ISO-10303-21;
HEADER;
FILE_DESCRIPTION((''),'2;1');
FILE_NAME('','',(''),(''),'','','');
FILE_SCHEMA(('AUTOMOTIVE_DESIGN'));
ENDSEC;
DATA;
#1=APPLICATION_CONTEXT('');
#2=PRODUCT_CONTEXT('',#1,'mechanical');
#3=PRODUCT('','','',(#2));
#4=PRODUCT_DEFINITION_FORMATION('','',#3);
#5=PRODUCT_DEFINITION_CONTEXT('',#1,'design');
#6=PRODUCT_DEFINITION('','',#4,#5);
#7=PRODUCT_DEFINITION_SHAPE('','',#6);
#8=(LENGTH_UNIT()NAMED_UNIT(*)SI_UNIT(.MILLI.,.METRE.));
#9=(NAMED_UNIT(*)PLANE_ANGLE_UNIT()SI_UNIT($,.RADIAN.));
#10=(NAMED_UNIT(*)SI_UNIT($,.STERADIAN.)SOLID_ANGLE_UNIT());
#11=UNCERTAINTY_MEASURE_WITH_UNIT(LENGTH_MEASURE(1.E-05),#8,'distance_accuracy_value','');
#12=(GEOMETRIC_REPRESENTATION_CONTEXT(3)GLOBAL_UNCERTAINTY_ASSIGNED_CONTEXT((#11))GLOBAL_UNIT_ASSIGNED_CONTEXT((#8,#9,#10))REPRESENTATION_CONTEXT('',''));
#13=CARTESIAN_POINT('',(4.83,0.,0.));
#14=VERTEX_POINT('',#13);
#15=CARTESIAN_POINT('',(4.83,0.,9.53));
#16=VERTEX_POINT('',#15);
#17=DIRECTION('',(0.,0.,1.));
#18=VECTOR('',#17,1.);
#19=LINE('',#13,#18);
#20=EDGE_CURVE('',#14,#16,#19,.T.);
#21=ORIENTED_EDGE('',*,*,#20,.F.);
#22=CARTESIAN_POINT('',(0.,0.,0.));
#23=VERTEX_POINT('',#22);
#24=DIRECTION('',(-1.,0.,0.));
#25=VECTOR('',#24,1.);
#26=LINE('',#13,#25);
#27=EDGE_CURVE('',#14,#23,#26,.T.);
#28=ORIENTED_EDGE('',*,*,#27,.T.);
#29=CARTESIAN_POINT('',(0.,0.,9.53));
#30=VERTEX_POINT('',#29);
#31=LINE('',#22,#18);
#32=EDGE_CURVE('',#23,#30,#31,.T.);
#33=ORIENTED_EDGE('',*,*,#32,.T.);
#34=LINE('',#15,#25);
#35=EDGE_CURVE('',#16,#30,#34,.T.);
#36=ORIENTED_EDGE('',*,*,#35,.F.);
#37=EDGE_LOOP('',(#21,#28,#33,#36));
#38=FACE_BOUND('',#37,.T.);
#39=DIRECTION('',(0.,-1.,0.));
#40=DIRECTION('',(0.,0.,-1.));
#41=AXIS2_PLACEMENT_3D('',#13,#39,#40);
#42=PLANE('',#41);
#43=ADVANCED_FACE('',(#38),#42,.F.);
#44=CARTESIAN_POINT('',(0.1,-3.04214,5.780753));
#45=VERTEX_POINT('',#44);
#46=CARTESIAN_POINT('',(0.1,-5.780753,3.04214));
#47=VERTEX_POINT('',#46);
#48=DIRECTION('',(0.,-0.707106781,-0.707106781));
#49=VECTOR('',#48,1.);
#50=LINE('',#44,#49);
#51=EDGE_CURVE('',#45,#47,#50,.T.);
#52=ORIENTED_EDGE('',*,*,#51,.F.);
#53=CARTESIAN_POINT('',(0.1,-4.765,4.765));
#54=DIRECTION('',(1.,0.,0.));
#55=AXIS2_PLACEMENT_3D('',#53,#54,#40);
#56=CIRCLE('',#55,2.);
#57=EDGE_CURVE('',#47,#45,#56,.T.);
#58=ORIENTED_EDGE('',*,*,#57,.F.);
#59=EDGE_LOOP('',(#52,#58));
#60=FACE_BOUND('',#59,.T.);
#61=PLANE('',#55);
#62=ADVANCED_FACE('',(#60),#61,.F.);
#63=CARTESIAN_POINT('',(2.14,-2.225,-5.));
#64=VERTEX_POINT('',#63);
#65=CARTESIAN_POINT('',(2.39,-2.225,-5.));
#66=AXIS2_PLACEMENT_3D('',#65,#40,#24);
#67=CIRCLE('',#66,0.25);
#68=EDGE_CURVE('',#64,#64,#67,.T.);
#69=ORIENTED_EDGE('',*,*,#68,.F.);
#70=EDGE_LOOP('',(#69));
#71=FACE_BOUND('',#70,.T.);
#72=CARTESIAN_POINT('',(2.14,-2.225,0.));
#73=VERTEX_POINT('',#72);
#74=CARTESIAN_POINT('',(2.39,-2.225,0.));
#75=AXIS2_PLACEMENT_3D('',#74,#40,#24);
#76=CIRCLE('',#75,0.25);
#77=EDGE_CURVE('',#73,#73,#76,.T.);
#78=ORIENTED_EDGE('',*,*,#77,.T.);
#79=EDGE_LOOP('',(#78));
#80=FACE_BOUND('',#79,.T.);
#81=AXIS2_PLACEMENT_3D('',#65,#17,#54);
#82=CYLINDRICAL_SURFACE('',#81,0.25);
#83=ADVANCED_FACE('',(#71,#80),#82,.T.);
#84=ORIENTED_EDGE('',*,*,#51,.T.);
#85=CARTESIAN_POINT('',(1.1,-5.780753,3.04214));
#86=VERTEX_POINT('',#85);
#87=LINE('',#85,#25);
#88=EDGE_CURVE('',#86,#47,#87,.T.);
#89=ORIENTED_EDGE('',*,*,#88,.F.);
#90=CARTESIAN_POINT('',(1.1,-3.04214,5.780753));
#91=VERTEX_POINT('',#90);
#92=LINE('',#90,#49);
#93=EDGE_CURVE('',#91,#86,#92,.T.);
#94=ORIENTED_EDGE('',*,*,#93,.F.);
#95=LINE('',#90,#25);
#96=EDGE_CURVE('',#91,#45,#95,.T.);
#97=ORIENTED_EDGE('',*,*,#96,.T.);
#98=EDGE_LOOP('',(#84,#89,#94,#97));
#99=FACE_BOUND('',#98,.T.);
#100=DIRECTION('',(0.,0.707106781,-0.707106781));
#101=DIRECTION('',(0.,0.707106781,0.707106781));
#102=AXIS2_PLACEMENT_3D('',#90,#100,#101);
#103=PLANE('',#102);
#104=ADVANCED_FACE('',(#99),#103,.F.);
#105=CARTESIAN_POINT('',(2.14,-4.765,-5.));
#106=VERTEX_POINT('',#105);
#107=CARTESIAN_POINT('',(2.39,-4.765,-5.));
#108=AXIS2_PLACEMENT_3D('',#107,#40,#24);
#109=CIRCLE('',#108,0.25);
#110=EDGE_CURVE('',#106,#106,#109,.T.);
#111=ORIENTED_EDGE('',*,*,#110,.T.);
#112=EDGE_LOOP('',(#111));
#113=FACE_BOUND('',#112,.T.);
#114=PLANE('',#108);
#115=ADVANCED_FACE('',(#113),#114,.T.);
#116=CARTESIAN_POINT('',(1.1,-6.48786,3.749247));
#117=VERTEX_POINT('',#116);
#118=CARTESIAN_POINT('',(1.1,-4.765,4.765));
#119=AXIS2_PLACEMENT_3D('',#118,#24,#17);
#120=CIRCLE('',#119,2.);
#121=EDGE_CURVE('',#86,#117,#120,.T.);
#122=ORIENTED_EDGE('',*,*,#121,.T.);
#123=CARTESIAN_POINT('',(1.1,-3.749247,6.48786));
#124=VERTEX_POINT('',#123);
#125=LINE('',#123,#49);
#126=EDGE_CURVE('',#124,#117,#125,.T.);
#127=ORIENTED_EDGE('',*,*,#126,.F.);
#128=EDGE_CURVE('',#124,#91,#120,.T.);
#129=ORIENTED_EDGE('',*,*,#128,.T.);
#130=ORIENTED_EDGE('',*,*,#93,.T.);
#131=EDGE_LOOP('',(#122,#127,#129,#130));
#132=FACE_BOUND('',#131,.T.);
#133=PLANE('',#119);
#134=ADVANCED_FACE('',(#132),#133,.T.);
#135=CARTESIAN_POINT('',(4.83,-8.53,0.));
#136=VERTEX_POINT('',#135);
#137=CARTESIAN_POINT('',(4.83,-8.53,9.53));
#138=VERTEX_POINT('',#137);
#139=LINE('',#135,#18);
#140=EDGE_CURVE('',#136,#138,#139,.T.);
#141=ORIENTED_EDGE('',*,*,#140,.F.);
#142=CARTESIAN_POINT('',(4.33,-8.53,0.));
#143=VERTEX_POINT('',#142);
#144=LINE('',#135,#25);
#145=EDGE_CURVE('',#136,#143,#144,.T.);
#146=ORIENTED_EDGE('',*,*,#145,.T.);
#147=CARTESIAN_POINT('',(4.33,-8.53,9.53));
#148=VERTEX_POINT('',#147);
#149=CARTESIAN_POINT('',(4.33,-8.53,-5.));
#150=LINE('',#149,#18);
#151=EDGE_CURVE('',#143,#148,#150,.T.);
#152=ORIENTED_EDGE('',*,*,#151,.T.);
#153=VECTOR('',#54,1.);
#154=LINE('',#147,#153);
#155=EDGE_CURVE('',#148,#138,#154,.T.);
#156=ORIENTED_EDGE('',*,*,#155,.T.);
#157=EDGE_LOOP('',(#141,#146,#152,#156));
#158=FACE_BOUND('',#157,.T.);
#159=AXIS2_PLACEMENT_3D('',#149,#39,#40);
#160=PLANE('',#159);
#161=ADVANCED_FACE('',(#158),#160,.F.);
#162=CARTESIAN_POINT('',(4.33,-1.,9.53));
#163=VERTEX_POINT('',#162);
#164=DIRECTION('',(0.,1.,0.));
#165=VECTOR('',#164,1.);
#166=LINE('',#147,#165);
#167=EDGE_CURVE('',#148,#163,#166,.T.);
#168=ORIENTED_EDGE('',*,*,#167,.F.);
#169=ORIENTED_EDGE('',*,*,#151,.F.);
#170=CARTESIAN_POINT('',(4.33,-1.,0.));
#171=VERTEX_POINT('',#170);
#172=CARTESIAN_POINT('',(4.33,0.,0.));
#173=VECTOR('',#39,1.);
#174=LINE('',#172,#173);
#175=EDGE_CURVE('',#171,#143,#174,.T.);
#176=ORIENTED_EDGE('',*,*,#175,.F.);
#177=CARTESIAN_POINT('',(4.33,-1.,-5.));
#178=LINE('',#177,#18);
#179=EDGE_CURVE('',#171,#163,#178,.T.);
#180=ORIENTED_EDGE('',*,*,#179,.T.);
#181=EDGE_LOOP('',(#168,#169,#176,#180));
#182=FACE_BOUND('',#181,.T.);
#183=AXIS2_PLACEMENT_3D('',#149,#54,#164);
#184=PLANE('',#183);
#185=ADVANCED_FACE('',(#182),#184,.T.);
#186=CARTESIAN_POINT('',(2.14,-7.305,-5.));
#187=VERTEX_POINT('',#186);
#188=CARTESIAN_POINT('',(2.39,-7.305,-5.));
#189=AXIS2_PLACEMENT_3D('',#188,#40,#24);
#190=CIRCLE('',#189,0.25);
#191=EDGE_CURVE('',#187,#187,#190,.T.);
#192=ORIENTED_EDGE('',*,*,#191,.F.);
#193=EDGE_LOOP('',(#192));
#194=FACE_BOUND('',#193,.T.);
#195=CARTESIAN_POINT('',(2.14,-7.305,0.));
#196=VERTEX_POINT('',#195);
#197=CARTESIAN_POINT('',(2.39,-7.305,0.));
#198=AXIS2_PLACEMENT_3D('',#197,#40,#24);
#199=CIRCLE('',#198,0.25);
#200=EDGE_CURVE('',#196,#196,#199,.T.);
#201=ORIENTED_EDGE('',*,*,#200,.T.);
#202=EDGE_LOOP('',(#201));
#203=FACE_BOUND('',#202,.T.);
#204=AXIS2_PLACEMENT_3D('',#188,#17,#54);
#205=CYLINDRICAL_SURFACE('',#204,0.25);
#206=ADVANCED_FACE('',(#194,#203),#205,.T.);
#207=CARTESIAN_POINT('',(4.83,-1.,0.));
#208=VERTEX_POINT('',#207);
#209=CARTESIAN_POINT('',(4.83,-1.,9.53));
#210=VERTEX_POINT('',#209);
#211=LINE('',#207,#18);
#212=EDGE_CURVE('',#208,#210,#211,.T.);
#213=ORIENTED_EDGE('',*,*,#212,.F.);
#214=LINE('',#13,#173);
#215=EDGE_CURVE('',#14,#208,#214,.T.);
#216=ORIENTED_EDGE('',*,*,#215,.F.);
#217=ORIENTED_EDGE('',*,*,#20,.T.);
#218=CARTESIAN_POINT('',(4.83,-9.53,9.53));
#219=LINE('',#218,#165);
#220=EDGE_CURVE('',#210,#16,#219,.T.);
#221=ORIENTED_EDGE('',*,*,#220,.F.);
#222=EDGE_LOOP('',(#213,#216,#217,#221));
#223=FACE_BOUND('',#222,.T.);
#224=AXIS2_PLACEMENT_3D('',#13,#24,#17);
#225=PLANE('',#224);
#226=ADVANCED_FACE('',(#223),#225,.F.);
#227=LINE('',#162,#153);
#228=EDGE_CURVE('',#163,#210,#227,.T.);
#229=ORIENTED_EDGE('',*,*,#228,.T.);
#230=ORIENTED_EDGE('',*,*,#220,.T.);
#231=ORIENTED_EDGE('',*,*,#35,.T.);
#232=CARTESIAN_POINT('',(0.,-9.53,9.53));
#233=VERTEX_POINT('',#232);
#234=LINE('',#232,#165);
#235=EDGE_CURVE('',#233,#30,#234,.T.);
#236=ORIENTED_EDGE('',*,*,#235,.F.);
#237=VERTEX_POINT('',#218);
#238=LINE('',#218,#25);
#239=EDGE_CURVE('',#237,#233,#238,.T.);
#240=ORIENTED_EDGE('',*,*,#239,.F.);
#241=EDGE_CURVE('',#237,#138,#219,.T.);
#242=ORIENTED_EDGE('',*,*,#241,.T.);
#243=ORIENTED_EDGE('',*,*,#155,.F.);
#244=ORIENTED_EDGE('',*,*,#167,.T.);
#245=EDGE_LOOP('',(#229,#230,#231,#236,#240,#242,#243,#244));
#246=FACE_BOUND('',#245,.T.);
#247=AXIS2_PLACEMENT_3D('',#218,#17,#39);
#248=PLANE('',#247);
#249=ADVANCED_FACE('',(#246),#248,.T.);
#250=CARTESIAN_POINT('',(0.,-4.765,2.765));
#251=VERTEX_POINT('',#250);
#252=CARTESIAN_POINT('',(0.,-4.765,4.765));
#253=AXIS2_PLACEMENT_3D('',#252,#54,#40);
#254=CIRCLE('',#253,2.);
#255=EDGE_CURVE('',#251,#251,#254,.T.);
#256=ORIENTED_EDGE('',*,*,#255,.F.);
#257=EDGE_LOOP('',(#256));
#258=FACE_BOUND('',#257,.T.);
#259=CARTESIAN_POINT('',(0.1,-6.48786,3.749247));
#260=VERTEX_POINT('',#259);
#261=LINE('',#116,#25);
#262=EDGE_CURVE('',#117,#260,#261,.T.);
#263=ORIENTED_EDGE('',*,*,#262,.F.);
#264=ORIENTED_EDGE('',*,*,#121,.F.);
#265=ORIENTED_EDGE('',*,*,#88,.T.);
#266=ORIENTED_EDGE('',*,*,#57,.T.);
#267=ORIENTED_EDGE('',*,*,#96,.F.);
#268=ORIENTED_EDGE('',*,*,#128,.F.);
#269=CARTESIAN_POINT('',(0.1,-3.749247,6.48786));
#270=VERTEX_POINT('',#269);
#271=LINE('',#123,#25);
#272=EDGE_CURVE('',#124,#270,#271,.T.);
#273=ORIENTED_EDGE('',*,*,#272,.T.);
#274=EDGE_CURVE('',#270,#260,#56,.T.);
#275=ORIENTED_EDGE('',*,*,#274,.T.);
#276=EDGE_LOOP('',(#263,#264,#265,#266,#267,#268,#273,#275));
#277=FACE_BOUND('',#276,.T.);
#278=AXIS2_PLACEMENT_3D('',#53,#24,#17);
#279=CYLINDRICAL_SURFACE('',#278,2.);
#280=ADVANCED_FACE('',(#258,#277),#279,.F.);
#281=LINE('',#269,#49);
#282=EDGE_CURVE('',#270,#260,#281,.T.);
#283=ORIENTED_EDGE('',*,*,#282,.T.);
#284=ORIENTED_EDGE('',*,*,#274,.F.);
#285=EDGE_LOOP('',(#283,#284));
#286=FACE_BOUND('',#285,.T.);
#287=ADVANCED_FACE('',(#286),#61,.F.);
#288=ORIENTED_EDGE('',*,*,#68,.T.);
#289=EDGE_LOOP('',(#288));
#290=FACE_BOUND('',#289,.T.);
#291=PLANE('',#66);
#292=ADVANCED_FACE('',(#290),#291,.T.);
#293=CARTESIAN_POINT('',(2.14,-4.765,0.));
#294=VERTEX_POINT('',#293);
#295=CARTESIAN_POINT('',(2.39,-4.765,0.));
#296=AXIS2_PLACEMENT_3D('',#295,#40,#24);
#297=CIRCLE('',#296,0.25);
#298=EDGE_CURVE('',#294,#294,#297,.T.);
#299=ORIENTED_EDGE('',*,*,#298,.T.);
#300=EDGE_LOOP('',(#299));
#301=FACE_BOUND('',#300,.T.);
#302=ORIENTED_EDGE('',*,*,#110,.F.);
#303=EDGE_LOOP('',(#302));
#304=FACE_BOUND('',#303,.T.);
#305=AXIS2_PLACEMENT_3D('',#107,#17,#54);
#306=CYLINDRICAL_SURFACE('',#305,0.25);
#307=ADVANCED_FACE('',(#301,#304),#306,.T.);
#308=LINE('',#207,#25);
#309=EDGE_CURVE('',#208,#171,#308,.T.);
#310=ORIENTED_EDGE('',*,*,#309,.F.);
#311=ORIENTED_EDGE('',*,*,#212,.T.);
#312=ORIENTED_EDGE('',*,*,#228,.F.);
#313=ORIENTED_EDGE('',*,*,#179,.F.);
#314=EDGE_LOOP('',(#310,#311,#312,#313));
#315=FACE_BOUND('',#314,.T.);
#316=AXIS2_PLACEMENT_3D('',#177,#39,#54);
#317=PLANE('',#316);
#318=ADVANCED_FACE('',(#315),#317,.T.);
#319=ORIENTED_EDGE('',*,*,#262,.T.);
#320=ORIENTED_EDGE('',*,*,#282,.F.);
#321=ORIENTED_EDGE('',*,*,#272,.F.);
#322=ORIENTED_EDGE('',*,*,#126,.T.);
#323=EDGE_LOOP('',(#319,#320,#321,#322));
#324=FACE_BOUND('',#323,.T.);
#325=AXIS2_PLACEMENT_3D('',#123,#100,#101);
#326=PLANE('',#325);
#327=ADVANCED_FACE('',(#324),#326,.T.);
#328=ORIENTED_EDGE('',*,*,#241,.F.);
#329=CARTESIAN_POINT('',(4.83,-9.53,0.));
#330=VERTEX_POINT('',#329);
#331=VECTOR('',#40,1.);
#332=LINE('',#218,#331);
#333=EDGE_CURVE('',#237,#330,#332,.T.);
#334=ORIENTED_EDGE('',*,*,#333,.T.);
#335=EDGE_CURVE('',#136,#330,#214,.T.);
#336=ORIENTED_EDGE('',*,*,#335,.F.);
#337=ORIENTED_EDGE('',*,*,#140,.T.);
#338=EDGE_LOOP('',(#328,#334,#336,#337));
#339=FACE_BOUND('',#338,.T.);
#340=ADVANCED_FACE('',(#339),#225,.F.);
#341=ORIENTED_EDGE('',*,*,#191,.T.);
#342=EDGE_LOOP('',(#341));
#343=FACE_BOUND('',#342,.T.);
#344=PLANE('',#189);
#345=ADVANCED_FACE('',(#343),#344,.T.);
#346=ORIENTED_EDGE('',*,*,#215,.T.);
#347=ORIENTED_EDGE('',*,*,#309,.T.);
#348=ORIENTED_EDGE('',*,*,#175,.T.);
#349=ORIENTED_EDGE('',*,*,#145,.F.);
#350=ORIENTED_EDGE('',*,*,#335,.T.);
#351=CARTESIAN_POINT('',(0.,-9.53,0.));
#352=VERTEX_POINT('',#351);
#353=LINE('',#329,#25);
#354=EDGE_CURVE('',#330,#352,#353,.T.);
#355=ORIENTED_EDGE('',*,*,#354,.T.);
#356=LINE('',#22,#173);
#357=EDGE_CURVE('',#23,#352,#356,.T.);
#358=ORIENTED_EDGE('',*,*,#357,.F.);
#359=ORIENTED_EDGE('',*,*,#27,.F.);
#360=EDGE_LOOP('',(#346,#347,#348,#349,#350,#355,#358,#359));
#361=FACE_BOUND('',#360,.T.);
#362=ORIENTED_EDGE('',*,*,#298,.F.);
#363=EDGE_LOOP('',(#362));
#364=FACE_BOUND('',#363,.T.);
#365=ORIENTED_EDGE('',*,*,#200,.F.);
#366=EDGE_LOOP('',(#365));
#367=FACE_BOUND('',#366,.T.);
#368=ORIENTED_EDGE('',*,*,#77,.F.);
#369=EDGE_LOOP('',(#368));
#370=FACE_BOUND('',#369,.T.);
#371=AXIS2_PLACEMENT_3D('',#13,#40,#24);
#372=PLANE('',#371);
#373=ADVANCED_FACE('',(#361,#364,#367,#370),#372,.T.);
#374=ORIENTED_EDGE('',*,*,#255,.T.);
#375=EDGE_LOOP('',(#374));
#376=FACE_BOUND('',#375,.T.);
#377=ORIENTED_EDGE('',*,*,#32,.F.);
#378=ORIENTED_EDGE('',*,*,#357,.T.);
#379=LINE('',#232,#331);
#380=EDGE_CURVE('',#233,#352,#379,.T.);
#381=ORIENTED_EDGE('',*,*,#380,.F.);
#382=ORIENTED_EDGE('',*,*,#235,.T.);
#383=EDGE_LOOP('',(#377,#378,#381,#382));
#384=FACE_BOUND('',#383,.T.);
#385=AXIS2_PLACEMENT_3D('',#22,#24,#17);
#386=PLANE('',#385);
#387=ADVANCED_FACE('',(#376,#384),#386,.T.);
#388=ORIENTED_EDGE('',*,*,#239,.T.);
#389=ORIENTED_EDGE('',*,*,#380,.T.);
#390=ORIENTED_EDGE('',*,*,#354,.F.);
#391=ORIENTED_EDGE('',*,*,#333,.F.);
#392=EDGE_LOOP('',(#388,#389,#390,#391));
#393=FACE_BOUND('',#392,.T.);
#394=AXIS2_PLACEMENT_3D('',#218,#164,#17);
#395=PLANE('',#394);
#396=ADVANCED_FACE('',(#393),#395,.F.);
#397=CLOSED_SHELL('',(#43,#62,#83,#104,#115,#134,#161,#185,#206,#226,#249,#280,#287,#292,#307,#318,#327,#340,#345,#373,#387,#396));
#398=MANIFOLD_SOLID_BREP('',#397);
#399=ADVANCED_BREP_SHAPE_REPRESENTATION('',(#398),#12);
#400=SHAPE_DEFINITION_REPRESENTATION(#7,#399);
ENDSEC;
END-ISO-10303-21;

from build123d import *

# Parameters (mm, degrees)
SKETCH1_W           = 9.53
SKETCH1_H           = 9.53
BASIC_SHAPE_DEPTH   = 4.83
SKETCH3_R           = 2
ADJUSTER_DEPTH      = 0.1
ADJUSTER_SLOT_DEPTH = 1
SKETCH5_R           = 0.25
PINS_DEPTH          = 5
SKETCH6_W           = 0.5
SKETCH6_H           = 7.53
REAR_RELIEF_DEPTH   = 15.53


with BuildPart() as part:
    # Sketch1 → Basic Shape (new body)
    with BuildSketch(Plane(origin=(0, 0, 0), x_dir=(0, 0, 1), z_dir=(1, 0, 0))):
        with Locations((4.765, 4.765)):
            Rectangle(SKETCH1_W, SKETCH1_H)
    extrude(amount=BASIC_SHAPE_DEPTH)

    # Sketch3 → Adjuster (cut)
    with BuildSketch(Plane.YZ):
        with Locations((-4.765, 4.765)):
            Circle(SKETCH3_R)
    extrude(amount=ADJUSTER_DEPTH, mode=Mode.SUBTRACT)

    # Sketch4 → Adjuster Slot (cut)
    with BuildSketch(Plane(origin=(0.1, 0, 0), x_dir=(0, -1, 0), z_dir=(-1, 0, 0))):
        with BuildLine():
            Line((3.749246997, 6.487859784), (6.487859784, 3.749246997))
            ThreePointArc((6.487859784, 3.749246997), (6.179213562, 3.350786438), (5.780753003, 3.042140216))
            Line((5.780753003, 3.042140216), (3.042140216, 5.780753003))
            ThreePointArc((3.042140216, 5.780753003), (3.350786438, 6.179213562), (3.749246997, 6.487859784))
        make_face()
    extrude(amount=-ADJUSTER_SLOT_DEPTH, mode=Mode.SUBTRACT)

    # Sketch5 → Pins (add)
    with BuildSketch(Plane(origin=(0, -19.06, 0), x_dir=(0, -1, 0), z_dir=(0, 0, -1))):
        with Locations((-16.835, -2.39)):
            Circle(SKETCH5_R)
        with Locations((-14.295, -2.39)):
            Circle(SKETCH5_R)
        with Locations((-11.755, -2.39)):
            Circle(SKETCH5_R)
    extrude(amount=PINS_DEPTH)

    # Sketch6 → Rear Relief (cut, through all)
    with BuildSketch(Plane.XY.offset(9.53)):
        with Locations((4.58, -4.765)):
            Rectangle(SKETCH6_W, SKETCH6_H)
    extrude(amount=-REAR_RELIEF_DEPTH, mode=Mode.SUBTRACT)


solid = part.part
